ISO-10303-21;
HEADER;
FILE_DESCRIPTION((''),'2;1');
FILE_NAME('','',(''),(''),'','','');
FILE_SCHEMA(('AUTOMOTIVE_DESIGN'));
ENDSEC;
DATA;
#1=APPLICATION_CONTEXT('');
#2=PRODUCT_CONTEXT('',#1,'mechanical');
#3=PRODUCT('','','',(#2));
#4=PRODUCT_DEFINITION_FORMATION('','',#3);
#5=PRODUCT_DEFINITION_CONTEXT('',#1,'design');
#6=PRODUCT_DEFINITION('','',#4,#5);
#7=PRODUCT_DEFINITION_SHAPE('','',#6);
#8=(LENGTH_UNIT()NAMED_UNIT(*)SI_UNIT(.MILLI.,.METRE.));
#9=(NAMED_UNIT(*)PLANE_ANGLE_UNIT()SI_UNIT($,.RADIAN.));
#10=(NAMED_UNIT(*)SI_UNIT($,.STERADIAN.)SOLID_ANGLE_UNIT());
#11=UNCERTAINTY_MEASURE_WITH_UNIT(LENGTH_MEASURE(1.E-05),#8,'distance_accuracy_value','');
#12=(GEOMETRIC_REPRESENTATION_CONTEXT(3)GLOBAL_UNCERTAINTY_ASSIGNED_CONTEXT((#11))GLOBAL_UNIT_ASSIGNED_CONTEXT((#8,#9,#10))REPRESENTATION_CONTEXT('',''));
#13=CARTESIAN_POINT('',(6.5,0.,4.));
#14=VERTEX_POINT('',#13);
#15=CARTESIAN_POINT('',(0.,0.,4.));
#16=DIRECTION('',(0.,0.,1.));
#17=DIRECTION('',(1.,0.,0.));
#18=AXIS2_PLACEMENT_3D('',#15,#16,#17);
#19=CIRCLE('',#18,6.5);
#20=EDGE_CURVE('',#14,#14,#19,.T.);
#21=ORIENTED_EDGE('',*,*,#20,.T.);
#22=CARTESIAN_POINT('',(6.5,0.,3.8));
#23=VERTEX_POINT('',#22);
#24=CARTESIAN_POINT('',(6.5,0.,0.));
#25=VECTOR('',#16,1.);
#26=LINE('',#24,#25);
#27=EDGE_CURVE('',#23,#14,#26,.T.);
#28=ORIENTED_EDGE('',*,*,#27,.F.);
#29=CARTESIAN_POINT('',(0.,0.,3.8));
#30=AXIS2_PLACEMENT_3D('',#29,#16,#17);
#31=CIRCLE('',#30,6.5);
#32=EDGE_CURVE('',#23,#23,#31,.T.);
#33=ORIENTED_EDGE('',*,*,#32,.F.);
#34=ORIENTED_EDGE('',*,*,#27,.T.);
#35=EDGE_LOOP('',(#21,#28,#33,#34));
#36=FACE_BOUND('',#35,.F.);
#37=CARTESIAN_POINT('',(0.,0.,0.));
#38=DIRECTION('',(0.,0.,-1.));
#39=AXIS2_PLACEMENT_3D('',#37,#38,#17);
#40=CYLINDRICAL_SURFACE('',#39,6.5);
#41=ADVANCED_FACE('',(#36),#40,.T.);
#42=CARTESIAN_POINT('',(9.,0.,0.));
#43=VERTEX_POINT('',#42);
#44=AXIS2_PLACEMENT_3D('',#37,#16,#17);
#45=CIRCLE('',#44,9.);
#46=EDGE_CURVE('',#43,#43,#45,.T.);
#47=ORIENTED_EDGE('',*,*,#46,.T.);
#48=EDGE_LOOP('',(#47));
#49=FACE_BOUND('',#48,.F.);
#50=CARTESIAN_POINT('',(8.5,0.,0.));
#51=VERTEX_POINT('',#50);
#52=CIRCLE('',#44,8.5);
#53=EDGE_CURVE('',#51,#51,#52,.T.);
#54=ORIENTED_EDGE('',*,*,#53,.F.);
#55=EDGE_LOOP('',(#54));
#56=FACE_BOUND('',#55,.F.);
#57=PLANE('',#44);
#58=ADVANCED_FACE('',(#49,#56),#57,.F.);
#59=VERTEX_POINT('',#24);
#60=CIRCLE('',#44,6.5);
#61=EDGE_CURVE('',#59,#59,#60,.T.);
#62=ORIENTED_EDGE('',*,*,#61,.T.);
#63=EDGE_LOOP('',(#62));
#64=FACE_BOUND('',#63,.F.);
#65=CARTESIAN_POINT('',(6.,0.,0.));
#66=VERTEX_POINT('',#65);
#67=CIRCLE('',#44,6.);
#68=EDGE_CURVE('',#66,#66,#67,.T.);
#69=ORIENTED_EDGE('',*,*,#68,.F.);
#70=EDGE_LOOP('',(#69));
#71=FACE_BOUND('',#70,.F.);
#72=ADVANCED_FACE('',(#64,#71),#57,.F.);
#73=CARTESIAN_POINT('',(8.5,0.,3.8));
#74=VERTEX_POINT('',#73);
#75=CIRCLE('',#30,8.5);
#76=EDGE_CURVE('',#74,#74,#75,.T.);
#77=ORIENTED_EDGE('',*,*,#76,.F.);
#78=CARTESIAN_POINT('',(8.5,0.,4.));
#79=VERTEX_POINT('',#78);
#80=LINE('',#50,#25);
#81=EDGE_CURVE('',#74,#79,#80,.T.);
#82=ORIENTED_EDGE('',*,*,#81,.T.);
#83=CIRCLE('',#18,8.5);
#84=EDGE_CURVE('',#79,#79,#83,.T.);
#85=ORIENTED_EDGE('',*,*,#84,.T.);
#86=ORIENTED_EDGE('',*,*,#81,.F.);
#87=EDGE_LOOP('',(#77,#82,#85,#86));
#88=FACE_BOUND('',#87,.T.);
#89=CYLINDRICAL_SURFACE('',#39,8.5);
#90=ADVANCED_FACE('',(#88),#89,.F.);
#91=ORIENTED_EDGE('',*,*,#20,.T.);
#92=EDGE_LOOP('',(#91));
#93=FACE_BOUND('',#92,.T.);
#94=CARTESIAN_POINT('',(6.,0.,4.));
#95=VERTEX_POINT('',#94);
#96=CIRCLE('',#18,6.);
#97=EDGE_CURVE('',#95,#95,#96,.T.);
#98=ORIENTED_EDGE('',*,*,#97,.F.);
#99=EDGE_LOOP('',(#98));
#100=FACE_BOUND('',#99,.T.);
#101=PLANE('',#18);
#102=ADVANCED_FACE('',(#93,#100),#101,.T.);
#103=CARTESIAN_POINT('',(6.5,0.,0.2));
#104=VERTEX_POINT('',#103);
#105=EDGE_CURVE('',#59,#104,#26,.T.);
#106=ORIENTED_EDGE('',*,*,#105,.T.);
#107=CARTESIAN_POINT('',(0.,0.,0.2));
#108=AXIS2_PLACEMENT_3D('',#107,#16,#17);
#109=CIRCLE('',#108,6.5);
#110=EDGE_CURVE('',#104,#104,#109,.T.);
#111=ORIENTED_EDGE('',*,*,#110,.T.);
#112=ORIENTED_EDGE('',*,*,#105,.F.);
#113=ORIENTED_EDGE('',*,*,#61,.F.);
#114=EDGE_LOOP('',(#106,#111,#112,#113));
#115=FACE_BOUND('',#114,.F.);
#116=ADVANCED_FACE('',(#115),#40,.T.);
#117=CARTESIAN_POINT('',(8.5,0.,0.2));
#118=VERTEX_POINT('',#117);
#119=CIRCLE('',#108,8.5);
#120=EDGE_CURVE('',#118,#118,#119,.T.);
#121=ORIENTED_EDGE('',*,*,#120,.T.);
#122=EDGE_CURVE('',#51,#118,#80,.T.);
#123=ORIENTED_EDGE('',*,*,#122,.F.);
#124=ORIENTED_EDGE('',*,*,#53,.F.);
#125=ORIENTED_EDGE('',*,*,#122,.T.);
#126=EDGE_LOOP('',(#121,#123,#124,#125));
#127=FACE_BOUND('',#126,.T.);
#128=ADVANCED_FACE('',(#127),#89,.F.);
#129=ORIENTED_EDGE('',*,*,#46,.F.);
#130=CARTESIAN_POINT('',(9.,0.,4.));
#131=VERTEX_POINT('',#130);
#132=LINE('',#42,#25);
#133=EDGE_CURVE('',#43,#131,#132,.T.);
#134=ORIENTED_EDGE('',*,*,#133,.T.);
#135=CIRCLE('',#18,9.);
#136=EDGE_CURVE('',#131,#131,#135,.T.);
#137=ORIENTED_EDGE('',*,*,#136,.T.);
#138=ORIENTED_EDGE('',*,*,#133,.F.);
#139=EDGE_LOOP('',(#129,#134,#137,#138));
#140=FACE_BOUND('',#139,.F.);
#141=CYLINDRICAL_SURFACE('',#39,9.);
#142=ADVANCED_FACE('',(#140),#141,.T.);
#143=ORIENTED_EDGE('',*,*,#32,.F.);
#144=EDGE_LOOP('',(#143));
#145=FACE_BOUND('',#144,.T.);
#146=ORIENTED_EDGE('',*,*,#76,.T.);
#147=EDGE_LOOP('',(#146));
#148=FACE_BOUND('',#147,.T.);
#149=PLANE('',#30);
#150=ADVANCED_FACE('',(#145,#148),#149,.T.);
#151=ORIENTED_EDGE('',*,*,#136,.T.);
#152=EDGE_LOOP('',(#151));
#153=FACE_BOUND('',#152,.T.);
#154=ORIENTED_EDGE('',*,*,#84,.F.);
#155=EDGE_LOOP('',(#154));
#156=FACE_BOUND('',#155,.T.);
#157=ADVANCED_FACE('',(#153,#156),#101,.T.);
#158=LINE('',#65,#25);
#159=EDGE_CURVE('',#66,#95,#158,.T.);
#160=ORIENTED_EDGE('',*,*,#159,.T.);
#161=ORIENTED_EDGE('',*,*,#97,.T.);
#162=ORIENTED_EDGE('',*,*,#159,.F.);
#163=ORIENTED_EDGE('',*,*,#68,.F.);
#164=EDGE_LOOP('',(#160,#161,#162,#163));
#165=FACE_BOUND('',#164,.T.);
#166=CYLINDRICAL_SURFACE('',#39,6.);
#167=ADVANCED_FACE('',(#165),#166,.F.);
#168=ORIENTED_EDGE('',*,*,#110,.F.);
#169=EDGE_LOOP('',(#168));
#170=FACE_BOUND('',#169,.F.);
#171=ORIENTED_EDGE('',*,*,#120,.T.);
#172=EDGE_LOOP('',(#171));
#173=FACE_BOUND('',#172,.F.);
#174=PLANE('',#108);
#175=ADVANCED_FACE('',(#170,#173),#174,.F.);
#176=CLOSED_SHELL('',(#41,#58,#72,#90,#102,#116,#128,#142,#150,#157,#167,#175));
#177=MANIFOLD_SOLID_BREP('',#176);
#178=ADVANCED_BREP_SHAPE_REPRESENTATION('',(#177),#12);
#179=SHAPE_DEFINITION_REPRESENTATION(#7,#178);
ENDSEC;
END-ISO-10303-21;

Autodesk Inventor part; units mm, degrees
ref_plane "YZ Plane" through (0, 0, 0) normal (1, 0, 0) x (0, 1, 0)
ref_plane "XZ Plane" through (0, 0, 0) normal (0, 1, 0) x (-1, 0, 0)
sketch "Sketch1" plane through (0, 0, 0) normal (0, 0, 1) x (1, 0, 0)
  circle A0 centre (0, 0) radius 9
  circle A1 centre (0, 0) radius 6
  circle A2 centre (0, 0) radius 6.5
  circle A3 centre (0, 0) radius 8.5
  dimension "d0" = 18
  dimension "d1" = 12
  dimension "d2" = 0.5
  dimension "d3" = 0.5
extrude "Extrusion1" add sketch "Sketch1" along normal blind 4
ref_plane "Work Plane1" through (0, 0, 0.2) normal (0, 0, 1) x (1, 0, 0)
sketch "Sketch2" plane through (0, 0, 0.2) normal (0, 0, 1) x (1, 0, 0)
  circle A0 centre (0, 0) radius 8.5 projected
  circle A1 centre (0, 0) radius 9 projected
  circle A2 centre (0, 0) radius 6 projected
  circle A3 centre (0, 0) radius 6.5 projected
extrude "Extrusion2" add sketch "Sketch2" along normal blind 3.6 contours A0
properties part number "18x12x4 bearing"
